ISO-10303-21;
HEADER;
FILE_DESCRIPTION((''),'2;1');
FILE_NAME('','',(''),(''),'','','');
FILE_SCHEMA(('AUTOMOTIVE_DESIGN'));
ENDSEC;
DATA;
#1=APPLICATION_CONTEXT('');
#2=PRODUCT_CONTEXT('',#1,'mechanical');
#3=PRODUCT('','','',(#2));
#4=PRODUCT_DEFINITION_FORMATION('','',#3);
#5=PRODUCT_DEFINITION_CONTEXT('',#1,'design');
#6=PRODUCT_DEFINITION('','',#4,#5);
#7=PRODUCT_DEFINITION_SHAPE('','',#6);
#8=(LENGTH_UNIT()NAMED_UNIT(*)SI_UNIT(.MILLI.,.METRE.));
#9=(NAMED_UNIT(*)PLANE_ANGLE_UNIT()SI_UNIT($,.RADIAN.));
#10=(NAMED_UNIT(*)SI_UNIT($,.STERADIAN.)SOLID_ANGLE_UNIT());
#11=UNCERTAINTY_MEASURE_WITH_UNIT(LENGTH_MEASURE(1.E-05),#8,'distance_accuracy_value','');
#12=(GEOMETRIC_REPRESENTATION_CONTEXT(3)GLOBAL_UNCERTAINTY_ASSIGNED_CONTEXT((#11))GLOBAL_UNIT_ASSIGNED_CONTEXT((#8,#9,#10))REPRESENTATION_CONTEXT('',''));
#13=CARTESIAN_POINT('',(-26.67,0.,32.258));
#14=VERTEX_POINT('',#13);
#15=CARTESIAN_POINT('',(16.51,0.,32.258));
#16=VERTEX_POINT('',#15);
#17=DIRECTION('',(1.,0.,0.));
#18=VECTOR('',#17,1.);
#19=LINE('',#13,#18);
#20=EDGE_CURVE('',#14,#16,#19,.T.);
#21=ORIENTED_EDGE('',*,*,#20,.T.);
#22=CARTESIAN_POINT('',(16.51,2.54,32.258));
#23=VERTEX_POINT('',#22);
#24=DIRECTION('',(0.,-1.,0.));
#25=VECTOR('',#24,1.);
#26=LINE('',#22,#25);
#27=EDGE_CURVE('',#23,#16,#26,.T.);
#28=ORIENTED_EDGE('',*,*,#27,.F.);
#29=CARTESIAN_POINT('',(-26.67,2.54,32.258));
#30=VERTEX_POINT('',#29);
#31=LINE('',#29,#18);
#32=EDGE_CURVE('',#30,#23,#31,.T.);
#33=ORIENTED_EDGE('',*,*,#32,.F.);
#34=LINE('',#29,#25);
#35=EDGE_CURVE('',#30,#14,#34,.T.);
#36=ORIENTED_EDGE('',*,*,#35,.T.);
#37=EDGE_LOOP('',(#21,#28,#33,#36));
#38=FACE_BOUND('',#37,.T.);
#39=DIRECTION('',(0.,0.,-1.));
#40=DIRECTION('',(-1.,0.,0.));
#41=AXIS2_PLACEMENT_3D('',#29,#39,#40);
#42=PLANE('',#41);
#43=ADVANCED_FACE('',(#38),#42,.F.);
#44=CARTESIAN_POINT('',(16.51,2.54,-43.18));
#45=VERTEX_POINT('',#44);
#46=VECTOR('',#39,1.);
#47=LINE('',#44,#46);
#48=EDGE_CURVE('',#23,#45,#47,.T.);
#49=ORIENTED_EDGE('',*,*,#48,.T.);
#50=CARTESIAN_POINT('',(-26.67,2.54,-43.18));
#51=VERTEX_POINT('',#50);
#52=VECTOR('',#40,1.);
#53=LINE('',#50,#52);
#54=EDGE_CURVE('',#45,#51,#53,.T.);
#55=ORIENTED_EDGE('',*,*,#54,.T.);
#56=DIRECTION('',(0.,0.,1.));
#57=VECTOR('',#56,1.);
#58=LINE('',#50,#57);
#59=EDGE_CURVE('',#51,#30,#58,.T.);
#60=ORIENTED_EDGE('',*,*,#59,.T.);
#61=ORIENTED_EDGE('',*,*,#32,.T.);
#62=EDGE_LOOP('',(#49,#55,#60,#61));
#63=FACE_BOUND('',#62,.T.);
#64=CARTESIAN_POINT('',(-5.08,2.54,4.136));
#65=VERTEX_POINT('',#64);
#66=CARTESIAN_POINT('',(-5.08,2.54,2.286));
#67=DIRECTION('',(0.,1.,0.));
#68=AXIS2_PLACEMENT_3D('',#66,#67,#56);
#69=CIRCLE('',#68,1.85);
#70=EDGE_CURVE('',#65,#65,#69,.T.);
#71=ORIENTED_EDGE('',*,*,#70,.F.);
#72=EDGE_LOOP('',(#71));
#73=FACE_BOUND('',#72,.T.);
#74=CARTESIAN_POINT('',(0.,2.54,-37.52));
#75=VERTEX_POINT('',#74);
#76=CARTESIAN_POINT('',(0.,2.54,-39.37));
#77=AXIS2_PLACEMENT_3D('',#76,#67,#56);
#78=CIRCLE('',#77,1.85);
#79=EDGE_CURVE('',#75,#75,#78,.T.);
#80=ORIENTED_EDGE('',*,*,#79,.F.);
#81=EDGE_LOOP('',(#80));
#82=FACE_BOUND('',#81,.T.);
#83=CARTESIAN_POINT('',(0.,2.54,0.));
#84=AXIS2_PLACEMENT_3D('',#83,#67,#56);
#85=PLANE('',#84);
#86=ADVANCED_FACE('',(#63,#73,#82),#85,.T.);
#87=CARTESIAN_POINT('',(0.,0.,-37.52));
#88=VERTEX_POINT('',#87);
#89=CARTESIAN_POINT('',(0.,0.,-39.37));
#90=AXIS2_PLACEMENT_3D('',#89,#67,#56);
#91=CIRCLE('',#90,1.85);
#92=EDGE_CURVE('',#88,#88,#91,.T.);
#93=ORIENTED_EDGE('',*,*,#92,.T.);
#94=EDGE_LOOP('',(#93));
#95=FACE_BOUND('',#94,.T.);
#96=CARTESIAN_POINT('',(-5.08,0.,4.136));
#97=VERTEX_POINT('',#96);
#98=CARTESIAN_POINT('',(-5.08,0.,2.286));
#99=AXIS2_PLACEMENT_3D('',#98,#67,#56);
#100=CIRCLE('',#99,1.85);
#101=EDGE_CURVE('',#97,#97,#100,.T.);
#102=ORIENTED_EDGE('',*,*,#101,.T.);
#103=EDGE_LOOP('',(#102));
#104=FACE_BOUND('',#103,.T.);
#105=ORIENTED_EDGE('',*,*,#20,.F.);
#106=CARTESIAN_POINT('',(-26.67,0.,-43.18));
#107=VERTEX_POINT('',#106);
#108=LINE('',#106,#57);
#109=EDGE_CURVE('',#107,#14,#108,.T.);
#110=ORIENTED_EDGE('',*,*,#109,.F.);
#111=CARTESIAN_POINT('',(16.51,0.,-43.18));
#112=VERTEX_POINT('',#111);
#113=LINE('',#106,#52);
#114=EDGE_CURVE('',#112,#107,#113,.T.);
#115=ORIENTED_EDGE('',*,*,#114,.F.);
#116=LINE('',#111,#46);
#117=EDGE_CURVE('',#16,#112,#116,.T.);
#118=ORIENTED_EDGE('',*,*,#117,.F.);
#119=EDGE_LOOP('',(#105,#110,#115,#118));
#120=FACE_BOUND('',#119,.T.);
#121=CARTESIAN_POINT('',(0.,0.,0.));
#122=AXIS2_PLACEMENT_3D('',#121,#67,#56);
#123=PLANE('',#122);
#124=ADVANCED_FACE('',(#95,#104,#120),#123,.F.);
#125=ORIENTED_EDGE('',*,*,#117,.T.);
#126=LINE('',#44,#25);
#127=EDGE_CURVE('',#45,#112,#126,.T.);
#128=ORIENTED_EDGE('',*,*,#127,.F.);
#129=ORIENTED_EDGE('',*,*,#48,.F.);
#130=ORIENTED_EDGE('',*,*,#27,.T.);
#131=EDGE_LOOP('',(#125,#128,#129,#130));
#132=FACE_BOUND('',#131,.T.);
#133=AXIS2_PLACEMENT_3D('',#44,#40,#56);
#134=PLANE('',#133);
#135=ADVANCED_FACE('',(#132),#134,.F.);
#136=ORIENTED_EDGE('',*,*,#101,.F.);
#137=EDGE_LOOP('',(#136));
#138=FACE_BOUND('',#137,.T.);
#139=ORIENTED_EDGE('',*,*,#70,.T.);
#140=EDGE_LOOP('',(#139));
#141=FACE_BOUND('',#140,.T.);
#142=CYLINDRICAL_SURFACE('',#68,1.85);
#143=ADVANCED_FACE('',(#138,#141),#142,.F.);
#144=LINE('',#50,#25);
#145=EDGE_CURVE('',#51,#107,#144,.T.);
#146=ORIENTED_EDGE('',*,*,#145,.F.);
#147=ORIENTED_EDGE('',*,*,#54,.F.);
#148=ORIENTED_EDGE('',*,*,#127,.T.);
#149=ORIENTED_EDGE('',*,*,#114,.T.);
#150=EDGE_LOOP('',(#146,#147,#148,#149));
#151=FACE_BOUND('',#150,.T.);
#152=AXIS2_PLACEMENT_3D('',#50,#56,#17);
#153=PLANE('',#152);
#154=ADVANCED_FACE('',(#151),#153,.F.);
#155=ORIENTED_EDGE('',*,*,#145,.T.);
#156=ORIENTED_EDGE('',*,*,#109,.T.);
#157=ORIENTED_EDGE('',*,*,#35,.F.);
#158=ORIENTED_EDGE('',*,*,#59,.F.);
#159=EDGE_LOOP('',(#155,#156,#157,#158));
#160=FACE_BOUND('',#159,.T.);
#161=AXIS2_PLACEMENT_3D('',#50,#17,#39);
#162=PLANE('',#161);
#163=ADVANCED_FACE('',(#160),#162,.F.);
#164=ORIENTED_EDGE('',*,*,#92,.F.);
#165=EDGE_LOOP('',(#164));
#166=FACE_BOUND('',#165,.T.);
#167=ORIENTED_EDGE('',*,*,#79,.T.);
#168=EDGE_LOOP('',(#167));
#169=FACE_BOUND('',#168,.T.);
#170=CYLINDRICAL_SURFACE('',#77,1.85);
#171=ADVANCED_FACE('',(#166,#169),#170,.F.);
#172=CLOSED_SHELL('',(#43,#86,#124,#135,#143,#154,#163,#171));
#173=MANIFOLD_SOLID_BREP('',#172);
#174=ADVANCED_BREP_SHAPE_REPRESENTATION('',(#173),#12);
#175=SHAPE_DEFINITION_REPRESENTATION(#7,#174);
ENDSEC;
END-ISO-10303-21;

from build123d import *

# Parameters (mm, degrees)
SKETCH1_W                = 43.18
SKETCH1_H                = 75.438
BOSS_EXTRUDE1_DEPTH      = 2.54
M3_CLEARANCE_HOLE1_D     = 3.7
M3_CLEARANCE_HOLE1_DEPTH = 25.4
M3_CLEARANCE_HOLE1_TIP   = 1.111592145


with BuildPart() as part:
    # Sketch1 → Boss-Extrude1 (new body)
    with BuildSketch(Plane(origin=(0, 0, 0), x_dir=(1, 0, 0), z_dir=(0, 1, 0))):
        with Locations((-5.08, 5.461)):
            Rectangle(SKETCH1_W, SKETCH1_H)
    extrude(amount=BOSS_EXTRUDE1_DEPTH)

    # M3 Clearance Hole1
    with Locations(Plane(origin=(0, 2.54, 0), x_dir=(1, 0, 0), z_dir=(0, 1, 0))):
        with Locations((0, 39.37), (-5.08, -2.286)):
            Hole(M3_CLEARANCE_HOLE1_D / 2, depth=M3_CLEARANCE_HOLE1_DEPTH)
            with Locations((0, 0, -(M3_CLEARANCE_HOLE1_DEPTH + M3_CLEARANCE_HOLE1_TIP / 2))):  # 118° drill point
                Cone(0, M3_CLEARANCE_HOLE1_D / 2, M3_CLEARANCE_HOLE1_TIP, mode=Mode.SUBTRACT)


solid = part.part
